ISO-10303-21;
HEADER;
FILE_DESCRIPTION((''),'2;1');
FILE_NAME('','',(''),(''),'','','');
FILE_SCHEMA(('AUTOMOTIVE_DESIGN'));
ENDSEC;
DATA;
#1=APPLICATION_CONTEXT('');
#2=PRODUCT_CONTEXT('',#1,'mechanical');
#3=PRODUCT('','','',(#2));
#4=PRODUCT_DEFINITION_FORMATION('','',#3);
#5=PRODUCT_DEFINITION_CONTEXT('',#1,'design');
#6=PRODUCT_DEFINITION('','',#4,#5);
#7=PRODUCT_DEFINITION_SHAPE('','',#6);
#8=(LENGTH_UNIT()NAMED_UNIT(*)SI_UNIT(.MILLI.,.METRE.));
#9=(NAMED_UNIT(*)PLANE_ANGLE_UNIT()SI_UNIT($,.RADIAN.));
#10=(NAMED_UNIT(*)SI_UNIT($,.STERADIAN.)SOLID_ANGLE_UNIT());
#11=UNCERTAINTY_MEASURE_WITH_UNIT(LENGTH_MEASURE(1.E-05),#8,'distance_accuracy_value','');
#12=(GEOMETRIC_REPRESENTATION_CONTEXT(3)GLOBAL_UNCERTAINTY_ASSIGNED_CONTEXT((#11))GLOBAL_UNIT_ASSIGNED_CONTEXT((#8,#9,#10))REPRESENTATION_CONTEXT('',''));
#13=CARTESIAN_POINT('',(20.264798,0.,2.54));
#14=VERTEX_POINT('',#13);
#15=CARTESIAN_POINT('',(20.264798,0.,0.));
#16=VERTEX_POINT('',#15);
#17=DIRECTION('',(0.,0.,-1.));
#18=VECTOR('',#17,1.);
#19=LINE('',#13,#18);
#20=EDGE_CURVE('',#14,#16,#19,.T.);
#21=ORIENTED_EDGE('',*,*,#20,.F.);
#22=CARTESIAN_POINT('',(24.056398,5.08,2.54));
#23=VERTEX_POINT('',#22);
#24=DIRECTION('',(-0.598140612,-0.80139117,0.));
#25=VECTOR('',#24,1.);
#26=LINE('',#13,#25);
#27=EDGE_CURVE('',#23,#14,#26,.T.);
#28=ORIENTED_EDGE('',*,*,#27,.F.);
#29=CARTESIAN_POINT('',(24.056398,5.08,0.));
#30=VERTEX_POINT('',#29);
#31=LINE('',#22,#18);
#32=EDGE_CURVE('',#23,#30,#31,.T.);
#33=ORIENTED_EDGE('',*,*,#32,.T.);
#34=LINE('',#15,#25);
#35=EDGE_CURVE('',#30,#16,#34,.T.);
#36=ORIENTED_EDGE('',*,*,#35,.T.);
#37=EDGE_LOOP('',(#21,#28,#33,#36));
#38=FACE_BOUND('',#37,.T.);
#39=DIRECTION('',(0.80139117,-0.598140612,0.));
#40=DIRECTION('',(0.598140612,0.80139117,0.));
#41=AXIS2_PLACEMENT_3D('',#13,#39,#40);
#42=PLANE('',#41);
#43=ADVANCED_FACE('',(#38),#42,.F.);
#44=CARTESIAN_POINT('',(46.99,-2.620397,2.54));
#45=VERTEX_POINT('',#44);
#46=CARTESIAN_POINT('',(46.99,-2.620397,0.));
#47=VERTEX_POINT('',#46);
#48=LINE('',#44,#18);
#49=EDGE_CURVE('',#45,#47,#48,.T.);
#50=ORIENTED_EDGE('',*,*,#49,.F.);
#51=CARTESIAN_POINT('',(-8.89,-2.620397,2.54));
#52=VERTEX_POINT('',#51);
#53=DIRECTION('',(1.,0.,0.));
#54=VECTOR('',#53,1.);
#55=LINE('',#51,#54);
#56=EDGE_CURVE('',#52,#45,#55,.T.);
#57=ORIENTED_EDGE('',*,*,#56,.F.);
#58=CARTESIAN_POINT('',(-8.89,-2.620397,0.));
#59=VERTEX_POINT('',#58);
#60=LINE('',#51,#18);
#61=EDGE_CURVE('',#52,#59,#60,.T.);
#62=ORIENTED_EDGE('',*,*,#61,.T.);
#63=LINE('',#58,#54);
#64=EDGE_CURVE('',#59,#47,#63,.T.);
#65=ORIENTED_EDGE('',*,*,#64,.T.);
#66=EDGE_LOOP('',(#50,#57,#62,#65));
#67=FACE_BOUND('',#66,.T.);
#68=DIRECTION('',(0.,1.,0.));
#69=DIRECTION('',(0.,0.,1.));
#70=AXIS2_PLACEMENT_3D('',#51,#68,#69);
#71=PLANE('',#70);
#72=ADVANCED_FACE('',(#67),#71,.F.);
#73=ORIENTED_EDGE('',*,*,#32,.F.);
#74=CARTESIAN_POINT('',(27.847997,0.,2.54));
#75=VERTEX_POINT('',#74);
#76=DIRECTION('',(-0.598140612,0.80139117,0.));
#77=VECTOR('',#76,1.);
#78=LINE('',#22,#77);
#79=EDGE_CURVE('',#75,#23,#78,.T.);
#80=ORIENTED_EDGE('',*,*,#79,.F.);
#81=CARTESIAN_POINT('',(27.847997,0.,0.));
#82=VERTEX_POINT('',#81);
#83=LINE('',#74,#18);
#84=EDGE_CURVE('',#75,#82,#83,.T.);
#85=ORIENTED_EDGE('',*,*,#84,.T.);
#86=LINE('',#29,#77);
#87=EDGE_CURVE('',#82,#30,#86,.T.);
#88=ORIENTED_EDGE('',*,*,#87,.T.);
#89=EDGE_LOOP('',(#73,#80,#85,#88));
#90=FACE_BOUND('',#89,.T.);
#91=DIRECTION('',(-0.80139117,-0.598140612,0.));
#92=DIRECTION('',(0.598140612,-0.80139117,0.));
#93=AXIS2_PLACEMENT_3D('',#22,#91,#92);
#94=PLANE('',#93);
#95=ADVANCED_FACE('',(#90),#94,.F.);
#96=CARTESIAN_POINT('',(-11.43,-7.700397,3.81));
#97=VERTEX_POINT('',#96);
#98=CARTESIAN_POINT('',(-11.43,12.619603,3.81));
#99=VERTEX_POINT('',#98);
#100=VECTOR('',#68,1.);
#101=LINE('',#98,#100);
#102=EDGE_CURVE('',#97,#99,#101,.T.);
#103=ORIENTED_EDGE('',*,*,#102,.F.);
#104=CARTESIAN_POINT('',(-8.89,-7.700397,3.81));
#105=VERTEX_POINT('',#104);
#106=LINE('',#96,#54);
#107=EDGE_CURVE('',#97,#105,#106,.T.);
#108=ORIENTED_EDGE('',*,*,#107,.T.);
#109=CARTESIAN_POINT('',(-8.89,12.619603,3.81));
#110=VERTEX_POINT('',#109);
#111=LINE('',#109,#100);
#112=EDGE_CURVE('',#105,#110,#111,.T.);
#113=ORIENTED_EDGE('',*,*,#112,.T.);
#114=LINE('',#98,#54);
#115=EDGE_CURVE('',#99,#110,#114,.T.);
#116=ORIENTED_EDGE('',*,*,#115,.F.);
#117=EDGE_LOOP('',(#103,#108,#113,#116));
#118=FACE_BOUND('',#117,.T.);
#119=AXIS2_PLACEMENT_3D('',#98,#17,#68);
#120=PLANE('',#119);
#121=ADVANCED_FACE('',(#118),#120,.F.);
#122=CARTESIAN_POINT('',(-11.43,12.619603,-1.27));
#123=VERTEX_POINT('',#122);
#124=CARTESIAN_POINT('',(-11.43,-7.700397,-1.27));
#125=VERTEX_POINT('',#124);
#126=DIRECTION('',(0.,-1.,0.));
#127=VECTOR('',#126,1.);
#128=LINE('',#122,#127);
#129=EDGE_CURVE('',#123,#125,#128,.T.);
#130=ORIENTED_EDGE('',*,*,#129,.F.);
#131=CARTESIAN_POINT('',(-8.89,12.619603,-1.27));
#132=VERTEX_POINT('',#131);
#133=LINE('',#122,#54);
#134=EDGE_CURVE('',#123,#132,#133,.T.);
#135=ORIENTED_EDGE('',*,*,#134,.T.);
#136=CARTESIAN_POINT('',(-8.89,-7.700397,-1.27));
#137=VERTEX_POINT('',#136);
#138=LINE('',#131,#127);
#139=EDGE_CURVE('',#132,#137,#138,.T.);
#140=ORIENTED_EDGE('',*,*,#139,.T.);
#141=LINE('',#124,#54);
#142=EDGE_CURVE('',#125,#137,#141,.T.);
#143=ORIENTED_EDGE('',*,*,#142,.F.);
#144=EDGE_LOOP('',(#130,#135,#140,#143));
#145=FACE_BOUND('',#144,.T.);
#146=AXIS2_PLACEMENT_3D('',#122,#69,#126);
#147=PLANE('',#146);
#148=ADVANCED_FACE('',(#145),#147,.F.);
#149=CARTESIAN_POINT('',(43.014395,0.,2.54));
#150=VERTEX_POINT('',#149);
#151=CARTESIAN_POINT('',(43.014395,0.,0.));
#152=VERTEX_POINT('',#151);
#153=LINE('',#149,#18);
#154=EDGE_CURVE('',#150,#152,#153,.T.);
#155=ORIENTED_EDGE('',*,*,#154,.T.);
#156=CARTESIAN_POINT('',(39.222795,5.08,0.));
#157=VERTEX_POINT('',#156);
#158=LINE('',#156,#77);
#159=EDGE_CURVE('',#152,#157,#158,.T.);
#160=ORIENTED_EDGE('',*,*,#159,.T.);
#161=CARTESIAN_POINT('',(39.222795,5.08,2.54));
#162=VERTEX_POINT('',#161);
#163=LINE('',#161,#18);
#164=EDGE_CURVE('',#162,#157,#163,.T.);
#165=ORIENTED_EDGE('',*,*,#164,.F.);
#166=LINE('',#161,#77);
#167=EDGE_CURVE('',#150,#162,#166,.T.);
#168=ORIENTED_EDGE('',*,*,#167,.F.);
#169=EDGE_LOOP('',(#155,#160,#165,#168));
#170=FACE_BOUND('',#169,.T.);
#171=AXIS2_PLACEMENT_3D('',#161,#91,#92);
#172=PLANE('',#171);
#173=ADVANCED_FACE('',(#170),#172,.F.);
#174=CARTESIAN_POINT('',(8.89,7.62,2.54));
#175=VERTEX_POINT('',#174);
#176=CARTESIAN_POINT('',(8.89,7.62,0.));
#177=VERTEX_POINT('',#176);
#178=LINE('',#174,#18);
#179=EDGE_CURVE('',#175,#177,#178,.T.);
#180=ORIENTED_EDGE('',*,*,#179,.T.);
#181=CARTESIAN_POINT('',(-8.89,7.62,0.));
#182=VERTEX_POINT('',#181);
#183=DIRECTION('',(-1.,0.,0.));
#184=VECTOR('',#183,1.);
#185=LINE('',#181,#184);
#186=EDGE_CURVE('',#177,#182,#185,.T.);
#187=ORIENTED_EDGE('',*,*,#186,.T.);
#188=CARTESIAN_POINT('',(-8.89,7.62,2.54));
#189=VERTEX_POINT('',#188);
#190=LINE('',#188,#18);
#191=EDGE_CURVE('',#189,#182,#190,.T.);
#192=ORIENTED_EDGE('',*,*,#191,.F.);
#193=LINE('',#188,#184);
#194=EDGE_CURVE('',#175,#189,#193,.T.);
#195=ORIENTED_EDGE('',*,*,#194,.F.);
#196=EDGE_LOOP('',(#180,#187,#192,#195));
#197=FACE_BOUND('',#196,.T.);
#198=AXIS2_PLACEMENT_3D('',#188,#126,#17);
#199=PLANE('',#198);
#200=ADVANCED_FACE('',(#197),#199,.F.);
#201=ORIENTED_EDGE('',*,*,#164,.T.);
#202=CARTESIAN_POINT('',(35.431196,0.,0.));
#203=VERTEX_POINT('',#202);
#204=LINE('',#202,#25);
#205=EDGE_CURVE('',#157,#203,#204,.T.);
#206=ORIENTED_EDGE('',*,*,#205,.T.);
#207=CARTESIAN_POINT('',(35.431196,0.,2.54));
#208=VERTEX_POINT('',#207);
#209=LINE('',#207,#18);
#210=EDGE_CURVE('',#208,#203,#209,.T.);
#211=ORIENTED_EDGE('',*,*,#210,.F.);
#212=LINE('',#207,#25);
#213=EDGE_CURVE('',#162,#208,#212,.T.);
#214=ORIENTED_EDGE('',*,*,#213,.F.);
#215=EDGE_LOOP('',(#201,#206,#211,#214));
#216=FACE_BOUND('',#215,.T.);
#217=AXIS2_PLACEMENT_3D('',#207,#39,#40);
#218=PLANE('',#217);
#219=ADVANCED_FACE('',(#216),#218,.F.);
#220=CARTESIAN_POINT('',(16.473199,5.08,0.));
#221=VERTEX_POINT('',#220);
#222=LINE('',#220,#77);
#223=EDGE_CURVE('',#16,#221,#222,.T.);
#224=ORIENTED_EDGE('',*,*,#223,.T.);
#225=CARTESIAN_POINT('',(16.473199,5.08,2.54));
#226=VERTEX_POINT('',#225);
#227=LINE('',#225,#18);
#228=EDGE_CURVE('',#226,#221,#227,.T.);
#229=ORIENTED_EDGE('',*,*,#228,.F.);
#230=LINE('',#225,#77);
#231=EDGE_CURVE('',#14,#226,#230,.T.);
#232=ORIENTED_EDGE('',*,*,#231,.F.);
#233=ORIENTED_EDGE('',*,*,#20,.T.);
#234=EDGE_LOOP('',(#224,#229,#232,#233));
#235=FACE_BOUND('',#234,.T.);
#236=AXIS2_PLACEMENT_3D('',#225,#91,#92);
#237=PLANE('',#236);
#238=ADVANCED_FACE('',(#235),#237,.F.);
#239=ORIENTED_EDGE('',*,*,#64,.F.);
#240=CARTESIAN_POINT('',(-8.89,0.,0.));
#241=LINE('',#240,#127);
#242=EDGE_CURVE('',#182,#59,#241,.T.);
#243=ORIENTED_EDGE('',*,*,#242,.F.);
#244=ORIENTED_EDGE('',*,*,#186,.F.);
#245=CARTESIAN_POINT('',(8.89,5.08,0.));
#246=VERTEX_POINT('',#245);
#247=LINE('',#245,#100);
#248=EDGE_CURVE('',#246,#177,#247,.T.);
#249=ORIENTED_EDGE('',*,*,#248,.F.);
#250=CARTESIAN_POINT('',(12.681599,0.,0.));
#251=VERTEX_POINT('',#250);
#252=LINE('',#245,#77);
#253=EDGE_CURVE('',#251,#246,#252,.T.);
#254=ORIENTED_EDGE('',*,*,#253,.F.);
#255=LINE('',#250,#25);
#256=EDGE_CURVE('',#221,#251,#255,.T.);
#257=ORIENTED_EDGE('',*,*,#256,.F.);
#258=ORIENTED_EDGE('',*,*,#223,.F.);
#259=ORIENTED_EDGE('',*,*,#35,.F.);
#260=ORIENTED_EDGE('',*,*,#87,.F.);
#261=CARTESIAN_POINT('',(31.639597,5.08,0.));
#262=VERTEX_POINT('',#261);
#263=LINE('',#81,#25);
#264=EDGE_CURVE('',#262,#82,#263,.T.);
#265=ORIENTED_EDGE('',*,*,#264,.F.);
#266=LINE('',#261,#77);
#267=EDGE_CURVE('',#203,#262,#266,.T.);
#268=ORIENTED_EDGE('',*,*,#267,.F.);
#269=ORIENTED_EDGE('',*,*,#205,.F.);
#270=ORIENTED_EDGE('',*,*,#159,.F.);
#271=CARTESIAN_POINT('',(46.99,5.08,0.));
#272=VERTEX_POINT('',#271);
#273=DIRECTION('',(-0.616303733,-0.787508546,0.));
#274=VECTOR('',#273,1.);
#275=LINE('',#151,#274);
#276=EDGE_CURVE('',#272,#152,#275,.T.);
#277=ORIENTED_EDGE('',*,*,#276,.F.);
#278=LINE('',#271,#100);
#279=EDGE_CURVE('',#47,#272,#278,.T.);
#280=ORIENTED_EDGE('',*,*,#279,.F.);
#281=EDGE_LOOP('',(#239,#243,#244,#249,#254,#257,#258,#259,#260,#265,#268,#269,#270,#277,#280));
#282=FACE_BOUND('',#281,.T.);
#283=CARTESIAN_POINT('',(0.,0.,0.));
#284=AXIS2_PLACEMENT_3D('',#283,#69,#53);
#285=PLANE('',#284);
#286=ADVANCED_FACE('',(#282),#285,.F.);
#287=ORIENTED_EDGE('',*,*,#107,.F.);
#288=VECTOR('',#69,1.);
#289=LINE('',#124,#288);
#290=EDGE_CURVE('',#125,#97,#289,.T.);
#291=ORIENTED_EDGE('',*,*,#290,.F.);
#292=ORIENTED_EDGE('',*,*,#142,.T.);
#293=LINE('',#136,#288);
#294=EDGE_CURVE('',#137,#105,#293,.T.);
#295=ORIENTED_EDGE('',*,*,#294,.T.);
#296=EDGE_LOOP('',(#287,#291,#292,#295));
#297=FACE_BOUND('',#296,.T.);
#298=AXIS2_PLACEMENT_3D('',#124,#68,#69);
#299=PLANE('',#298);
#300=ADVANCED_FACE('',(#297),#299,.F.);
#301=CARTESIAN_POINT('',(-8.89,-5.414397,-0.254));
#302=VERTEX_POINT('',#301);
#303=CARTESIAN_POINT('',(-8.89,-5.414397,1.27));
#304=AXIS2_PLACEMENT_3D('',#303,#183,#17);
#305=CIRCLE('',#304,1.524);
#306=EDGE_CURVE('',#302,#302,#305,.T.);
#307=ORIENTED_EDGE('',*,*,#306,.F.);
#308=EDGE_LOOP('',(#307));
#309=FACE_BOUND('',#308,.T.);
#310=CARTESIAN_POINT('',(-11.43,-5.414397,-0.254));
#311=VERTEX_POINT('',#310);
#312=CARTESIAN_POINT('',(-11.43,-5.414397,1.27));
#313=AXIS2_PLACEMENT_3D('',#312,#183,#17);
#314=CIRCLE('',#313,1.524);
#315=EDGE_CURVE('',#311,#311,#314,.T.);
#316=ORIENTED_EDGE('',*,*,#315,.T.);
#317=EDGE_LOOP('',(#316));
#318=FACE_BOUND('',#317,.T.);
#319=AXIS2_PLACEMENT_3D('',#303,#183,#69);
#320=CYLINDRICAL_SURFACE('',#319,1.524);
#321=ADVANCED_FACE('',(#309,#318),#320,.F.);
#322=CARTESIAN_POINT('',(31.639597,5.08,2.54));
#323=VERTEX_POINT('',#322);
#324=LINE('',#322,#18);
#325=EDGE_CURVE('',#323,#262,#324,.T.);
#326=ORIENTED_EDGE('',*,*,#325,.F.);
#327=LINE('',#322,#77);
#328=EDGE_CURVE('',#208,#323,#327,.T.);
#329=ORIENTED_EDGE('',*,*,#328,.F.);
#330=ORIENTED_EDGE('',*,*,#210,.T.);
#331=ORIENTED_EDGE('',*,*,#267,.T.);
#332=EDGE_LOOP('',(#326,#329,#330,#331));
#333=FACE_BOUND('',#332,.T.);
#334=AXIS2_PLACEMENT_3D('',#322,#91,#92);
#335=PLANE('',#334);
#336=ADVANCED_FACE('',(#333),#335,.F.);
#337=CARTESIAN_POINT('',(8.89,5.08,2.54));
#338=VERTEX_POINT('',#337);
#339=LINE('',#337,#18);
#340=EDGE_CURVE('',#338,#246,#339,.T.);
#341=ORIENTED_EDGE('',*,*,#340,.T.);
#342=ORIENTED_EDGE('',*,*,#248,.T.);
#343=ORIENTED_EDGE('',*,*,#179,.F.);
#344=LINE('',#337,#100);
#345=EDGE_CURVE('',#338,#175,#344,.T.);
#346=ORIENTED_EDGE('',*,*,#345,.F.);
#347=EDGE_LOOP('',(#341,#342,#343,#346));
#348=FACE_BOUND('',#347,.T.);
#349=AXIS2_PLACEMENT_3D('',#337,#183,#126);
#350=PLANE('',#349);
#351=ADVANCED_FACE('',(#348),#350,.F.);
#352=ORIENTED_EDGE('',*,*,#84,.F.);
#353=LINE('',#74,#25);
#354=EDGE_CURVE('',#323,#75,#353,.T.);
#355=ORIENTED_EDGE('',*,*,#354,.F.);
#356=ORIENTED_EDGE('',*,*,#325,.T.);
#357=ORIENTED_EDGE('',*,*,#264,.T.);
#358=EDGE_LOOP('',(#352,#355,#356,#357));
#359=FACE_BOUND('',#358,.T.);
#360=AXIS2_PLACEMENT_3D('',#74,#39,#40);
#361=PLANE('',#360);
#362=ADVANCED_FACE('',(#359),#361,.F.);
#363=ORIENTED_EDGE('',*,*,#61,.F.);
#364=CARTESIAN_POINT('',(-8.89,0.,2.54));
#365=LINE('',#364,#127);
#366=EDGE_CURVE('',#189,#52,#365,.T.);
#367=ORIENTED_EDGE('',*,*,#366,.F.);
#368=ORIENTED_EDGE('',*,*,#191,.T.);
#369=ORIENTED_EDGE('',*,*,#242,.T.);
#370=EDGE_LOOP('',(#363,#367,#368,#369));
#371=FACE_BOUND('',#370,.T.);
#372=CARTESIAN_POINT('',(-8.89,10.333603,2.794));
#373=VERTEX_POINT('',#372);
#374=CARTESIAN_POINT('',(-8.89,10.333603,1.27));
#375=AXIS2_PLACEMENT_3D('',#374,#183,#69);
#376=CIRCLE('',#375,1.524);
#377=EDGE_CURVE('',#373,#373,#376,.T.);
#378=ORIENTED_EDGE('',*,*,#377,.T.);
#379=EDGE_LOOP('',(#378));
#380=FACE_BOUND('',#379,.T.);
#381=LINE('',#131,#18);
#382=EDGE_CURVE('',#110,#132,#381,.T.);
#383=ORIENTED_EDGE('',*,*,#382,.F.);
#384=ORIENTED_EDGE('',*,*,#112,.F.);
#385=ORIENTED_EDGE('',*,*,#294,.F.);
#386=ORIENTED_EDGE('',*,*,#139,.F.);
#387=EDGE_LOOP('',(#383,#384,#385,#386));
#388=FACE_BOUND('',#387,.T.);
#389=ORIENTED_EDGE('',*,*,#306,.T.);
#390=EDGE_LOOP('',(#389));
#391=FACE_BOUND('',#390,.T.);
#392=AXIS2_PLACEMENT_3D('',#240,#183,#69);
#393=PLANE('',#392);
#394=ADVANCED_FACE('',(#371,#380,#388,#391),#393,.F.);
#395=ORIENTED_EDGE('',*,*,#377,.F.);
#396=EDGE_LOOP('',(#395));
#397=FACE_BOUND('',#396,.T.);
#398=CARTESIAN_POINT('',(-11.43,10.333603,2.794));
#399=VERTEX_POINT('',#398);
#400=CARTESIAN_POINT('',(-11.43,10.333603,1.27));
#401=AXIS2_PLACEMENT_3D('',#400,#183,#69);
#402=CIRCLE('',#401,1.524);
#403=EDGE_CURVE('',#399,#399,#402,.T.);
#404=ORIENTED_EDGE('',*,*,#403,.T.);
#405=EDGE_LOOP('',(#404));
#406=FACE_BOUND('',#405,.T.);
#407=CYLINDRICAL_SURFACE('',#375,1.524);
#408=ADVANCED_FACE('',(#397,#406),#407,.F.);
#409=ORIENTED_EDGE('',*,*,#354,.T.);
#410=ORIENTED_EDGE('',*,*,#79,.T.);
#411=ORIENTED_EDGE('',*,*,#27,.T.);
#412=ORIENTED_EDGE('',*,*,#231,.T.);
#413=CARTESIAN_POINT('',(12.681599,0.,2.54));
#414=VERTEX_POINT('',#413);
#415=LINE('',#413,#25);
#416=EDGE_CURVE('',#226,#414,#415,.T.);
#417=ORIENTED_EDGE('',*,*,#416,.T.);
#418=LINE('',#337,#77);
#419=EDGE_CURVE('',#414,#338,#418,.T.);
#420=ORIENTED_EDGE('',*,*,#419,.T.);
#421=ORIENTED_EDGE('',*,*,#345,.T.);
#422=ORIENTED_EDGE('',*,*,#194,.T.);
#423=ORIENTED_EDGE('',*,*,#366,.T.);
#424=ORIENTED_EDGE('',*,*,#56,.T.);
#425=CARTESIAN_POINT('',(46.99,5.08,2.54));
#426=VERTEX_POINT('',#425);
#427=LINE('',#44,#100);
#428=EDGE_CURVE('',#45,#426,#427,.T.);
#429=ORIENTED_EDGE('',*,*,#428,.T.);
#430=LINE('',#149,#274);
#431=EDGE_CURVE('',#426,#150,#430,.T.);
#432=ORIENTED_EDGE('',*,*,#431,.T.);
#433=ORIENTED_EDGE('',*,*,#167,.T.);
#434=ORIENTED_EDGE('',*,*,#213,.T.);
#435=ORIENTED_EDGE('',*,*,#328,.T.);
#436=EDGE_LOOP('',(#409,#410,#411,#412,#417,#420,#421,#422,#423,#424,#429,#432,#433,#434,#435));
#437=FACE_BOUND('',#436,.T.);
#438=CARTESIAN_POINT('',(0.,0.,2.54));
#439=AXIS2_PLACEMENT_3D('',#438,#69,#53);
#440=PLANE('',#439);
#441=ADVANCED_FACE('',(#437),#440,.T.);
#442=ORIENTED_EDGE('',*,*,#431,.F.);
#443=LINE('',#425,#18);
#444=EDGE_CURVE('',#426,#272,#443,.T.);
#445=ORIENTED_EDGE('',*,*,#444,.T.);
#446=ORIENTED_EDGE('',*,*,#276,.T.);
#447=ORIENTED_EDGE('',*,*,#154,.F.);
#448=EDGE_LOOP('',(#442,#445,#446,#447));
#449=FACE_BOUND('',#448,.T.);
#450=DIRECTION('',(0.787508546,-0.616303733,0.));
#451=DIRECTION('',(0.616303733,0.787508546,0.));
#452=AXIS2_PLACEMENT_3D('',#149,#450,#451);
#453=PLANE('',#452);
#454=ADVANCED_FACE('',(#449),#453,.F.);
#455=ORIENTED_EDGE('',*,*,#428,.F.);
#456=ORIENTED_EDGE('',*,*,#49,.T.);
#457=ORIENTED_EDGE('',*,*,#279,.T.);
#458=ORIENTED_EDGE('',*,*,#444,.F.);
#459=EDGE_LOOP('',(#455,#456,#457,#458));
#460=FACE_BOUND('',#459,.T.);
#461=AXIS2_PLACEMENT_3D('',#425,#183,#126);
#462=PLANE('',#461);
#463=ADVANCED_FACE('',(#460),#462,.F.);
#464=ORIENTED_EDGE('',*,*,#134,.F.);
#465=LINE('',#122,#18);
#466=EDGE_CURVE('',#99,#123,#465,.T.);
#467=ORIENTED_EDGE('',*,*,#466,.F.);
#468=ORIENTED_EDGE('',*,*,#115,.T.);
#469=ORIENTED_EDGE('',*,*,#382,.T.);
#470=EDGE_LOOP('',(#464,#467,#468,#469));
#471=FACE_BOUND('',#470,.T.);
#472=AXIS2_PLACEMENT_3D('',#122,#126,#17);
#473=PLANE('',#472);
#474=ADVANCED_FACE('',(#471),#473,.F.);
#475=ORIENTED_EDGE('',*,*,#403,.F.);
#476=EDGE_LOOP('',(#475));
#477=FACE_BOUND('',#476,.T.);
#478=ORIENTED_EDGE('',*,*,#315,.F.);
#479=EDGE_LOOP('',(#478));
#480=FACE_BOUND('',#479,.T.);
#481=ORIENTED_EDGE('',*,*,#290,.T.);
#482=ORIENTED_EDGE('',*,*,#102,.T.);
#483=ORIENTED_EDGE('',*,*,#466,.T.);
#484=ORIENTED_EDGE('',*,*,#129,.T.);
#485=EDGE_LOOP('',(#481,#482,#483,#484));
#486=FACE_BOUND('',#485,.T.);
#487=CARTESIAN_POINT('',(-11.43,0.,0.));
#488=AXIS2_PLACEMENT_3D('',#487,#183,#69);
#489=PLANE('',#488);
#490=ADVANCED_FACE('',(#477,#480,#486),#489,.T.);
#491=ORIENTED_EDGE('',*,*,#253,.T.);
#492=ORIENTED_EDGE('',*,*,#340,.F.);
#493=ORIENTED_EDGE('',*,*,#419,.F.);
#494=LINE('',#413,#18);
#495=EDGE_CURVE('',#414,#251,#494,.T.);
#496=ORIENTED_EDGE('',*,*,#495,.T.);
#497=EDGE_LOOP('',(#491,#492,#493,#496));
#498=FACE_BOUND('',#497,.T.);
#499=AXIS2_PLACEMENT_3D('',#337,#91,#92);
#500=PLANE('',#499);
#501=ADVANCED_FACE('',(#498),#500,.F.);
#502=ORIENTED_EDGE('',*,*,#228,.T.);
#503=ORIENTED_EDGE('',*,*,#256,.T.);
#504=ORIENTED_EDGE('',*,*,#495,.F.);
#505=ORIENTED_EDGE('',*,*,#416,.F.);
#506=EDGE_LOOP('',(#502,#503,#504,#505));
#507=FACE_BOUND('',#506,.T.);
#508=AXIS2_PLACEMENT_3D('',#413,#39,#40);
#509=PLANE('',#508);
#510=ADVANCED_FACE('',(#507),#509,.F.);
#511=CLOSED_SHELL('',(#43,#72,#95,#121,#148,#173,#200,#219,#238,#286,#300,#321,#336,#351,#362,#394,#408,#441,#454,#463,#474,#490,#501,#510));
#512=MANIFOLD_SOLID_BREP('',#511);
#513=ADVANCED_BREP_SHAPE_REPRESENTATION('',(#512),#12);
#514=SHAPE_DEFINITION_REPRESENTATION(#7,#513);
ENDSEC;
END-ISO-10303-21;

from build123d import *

# Parameters (mm, degrees)
BOSS_EXTRUDE1_DEPTH = 2.54
SKETCH2_W           = 5.08
SKETCH2_H           = 20.32
BOSS_EXTRUDE2_DEPTH = 2.54
SKETCH3_R           = 1.524
CUT_EXTRUDE1_DEPTH  = 2.54


with BuildPart() as part:
    # Sketch1 → Boss-Extrude1 (new body)
    with BuildSketch(Plane.XY):
        Polygon((-8.89, 0), (-8.89, 7.62), (8.89, 7.62), (8.89, 5.08), (12.681599437, 0), (16.473198875, 5.08), (20.264798312, 0), (24.056397749, 5.08), (27.847997187, 0), (31.639596624, 5.08), (35.431196061, 0), (39.222795499, 5.08), (43.014394936, 0), (46.99, 5.08), (46.99, 0), (46.99, -2.620396656), (-8.89, -2.620396656), align=None)
    extrude(amount=BOSS_EXTRUDE1_DEPTH)

    # Sketch2 → Boss-Extrude2 (add)
    with BuildSketch(Plane.ZY.offset(8.89)):
        with Locations((1.27, 2.459603344)):
            Rectangle(SKETCH2_W, SKETCH2_H)
    extrude(amount=BOSS_EXTRUDE2_DEPTH)

    # Sketch3 → Cut-Extrude1 (cut)
    with BuildSketch(Plane.ZY.offset(11.43)):
        with Locations((1.27, 10.333603344)):
            Circle(SKETCH3_R)
        with Locations(Location((1.27, -5.414396656, 0), (0, 0, 180))):
            Circle(SKETCH3_R)
    extrude(amount=-CUT_EXTRUDE1_DEPTH, mode=Mode.SUBTRACT)


solid = part.part
